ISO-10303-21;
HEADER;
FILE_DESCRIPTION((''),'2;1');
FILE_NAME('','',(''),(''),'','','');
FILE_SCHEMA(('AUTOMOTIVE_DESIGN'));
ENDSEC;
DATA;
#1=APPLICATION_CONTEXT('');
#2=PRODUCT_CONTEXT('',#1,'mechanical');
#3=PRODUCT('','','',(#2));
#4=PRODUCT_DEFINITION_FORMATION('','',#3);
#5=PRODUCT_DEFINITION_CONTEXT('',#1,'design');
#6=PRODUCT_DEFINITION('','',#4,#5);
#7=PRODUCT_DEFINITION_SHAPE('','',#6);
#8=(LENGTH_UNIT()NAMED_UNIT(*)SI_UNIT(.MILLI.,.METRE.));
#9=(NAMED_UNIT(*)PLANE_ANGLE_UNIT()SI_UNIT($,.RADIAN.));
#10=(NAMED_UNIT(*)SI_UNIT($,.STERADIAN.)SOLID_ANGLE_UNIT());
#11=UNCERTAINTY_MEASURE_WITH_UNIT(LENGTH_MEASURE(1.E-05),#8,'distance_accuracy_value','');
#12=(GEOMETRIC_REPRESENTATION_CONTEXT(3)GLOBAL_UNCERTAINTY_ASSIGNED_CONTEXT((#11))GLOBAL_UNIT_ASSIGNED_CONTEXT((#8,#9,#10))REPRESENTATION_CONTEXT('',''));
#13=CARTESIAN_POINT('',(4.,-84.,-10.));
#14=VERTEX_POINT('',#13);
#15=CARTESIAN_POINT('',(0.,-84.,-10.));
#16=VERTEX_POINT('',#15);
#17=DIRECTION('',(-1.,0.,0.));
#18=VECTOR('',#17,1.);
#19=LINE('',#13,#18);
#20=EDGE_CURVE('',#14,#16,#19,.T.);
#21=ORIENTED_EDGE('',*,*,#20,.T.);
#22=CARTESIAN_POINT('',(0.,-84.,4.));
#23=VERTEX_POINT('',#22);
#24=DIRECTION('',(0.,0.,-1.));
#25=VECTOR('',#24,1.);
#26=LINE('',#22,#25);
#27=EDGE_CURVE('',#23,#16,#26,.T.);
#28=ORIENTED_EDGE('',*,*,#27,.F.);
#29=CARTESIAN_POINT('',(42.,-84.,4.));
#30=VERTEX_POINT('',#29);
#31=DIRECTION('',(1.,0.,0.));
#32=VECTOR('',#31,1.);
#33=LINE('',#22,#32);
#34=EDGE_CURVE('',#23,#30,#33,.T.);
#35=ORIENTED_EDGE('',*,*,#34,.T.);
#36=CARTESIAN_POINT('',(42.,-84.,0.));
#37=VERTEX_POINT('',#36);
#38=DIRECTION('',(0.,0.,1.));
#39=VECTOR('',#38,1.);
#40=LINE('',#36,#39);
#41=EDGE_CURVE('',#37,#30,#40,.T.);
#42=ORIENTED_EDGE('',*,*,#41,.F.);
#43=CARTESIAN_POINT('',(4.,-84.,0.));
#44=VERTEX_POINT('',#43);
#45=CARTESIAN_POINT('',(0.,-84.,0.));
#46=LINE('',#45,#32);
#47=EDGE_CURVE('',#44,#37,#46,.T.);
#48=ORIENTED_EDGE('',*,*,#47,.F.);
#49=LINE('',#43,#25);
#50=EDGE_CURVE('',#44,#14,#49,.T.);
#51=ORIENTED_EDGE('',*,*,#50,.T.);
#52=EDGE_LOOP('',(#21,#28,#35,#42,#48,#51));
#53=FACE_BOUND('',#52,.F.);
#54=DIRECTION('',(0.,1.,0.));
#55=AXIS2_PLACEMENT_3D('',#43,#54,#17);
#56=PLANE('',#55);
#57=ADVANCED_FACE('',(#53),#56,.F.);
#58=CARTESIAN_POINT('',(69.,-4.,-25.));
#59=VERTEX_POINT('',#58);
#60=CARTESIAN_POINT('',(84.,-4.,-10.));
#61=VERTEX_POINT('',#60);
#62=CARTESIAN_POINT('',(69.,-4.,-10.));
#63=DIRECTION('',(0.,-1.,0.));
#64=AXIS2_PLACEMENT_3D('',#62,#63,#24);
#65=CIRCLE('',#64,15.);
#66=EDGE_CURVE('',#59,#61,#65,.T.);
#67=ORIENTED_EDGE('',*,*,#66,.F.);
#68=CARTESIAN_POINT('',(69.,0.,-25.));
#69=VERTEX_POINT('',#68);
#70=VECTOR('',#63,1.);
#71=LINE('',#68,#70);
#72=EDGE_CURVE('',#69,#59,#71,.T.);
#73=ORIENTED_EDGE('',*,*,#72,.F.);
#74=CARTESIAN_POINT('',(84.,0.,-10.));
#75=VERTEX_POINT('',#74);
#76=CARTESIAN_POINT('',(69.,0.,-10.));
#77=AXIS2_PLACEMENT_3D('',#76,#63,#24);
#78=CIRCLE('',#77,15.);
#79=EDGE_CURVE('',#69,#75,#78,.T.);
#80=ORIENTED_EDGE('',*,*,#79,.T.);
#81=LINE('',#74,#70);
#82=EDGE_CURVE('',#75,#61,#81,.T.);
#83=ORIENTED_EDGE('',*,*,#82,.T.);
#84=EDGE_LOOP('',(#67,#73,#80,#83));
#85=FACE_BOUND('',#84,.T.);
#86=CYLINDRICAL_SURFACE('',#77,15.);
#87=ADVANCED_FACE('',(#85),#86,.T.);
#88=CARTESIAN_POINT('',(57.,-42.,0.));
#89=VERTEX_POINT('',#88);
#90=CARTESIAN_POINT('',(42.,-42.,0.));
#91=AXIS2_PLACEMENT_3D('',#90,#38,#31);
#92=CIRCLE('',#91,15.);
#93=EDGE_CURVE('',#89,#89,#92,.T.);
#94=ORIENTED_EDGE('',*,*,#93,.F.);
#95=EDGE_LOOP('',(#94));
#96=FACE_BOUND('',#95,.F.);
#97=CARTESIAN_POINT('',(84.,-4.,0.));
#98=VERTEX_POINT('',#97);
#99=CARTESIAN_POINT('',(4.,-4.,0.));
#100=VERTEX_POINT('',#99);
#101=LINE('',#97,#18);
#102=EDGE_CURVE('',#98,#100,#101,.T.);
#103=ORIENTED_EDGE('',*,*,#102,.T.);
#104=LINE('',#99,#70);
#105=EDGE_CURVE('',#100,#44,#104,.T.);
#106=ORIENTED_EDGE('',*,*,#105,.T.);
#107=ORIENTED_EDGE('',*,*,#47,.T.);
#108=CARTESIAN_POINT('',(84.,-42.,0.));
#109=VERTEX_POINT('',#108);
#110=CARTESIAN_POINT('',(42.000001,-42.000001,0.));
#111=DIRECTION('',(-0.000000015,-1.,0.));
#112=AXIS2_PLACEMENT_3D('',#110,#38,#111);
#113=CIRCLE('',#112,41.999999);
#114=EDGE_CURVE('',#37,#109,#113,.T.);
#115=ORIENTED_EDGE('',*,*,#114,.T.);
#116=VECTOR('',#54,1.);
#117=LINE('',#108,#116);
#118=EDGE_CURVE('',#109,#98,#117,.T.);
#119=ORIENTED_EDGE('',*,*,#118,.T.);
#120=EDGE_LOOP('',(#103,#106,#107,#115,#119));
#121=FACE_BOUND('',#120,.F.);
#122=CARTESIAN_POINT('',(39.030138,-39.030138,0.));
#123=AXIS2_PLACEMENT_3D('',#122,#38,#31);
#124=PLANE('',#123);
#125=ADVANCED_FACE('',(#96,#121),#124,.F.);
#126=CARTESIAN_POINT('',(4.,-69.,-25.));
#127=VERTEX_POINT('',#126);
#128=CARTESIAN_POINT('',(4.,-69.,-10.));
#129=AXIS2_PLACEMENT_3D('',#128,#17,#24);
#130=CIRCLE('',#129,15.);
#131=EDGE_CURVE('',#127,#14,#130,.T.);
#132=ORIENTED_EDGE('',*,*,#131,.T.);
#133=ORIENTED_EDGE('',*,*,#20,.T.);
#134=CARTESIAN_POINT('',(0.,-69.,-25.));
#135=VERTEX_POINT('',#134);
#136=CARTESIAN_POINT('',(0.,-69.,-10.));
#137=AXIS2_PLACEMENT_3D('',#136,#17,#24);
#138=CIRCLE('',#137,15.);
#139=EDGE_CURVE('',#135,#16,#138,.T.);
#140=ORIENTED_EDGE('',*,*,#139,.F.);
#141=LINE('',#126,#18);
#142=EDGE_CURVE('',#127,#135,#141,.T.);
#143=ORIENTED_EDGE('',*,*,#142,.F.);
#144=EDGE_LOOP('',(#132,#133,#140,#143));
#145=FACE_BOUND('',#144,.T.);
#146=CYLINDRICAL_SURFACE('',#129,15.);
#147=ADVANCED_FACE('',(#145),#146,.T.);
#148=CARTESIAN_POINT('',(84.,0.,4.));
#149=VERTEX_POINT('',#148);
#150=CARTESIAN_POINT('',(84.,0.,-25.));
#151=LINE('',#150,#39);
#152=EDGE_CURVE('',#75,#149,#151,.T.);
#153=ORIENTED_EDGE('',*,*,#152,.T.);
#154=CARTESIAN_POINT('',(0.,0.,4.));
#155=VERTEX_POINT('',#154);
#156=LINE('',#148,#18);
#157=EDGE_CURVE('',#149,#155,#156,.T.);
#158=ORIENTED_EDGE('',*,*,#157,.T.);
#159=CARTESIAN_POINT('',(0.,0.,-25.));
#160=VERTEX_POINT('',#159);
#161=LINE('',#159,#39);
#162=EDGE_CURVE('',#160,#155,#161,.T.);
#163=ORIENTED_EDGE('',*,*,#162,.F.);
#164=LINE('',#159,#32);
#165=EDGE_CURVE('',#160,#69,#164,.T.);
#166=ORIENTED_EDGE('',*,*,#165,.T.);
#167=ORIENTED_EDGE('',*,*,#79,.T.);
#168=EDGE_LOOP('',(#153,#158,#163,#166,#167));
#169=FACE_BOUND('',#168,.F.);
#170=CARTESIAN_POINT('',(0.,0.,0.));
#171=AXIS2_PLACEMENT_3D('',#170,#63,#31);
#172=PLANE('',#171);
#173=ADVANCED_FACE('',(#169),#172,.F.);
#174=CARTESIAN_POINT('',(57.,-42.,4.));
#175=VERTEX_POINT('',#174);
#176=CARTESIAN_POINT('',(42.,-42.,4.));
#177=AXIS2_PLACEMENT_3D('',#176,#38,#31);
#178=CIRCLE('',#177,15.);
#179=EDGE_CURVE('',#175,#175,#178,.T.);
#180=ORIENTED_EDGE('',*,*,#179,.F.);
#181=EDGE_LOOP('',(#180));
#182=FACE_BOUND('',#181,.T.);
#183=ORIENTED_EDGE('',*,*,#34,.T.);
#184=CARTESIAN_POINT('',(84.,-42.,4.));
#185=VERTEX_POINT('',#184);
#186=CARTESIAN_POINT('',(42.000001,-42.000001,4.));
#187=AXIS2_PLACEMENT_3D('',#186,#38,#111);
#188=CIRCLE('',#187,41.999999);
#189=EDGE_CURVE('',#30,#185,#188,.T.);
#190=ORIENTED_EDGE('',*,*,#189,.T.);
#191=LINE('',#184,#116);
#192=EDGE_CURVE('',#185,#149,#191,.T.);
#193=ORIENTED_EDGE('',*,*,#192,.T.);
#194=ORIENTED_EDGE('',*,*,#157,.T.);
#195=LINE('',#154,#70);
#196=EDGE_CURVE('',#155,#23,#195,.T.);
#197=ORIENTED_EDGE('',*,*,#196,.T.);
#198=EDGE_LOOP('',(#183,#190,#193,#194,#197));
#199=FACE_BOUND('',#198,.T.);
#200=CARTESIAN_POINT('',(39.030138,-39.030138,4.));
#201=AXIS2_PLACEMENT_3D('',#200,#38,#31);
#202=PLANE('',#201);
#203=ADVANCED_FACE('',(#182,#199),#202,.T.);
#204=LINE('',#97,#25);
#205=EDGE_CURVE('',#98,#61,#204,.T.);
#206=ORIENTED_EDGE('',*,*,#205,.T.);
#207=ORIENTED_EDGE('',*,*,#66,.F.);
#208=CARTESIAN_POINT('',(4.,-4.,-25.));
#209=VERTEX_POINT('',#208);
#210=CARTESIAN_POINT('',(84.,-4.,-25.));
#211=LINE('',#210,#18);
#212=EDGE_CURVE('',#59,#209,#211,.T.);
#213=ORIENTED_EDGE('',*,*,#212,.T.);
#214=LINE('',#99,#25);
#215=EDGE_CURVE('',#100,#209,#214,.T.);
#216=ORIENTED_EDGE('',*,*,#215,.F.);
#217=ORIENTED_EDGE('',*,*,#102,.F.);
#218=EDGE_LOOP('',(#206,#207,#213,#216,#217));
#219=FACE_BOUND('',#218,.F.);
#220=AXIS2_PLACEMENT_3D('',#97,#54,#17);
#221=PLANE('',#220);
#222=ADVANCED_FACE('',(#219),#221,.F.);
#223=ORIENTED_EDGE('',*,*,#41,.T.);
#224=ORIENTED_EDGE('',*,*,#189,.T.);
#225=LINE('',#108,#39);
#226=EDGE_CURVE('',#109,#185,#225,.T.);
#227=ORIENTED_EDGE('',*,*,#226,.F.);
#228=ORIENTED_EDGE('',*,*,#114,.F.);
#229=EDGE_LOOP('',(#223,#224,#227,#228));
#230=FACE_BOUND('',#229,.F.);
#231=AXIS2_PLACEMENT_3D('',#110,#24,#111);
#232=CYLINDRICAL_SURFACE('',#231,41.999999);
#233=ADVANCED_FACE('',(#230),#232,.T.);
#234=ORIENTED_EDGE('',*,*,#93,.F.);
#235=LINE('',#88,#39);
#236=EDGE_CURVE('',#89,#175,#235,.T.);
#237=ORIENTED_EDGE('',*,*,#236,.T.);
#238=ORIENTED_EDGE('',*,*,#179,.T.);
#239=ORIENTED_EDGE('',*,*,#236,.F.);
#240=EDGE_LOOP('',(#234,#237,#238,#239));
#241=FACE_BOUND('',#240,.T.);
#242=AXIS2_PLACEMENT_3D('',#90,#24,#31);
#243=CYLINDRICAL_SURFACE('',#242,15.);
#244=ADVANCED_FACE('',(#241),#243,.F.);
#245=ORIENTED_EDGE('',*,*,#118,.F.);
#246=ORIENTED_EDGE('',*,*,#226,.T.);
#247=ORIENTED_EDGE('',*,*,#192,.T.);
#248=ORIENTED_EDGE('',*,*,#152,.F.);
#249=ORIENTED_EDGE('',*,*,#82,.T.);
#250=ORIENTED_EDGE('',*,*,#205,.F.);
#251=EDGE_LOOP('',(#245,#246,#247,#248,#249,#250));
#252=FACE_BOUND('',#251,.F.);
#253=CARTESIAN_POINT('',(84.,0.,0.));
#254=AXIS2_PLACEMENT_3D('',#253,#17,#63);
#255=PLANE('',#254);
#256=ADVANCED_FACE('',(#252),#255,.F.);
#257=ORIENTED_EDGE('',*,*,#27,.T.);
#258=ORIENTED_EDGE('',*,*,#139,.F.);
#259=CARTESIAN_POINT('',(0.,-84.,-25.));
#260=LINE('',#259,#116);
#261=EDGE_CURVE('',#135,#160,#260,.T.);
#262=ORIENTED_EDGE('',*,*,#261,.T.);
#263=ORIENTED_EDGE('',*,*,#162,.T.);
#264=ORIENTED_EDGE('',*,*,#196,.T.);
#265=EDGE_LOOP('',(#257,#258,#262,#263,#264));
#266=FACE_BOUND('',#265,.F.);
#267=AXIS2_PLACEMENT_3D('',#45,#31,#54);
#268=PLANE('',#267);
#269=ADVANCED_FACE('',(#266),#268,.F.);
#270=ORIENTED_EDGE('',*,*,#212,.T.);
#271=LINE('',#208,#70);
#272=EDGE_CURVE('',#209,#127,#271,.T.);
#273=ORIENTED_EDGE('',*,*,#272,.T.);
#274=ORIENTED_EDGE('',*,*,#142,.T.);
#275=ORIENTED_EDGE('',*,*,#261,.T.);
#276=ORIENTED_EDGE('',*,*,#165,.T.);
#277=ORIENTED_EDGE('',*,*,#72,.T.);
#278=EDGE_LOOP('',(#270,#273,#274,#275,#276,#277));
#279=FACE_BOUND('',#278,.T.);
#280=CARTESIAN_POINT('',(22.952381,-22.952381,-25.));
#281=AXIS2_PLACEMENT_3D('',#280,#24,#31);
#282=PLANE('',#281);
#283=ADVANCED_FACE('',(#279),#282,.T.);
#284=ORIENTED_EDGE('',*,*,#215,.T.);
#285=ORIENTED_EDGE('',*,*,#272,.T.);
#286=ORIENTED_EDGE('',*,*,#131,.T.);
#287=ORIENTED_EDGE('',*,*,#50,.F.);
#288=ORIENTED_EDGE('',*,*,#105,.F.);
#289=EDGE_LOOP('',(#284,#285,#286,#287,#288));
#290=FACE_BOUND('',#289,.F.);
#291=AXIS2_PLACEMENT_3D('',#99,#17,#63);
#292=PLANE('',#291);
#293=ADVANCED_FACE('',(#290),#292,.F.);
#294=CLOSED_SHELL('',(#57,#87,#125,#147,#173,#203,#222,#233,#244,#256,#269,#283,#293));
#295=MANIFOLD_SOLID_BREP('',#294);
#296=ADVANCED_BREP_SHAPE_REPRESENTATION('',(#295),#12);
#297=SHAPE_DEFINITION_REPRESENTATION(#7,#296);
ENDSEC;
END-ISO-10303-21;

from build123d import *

# Parameters (mm, degrees)
F0_R     = 15
F1_DEPTH = 4
F3_DEPTH = 25
F4_R     = 15


with BuildPart() as f1:
    # F0 (on Top) → F1 (new body)
    with BuildSketch(Plane.XY):
        with BuildLine():
            Line((84, 0), (0, 0))
            Line((0, 0), (0, -84))
            Line((0, -84), (42, -84))
            ThreePointArc((42, -84), (71.698485, -71.698485), (84, -42))
            Line((84, -42), (84, 0))
        make_face()
        with Locations((42, -42)):
            Circle(F0_R, mode=Mode.SUBTRACT)
    extrude(amount=F1_DEPTH)

    # F2 (on face) → F3 (join)
    with BuildSketch(Plane(origin=(0, 0, 0), x_dir=(1, 0, 0), z_dir=(0, 0, -1))):
        Polygon((84, 4), (4, 4), (4, 84), (0, 84), (0, 0), (84, 0), align=None)
    extrude(amount=F3_DEPTH)

    # F4
    f4_edges = [f1.edges().sort_by_distance(p)[0] for p in [
        (2, -84, -25),
        (84, -2, -25),
    ]]
    fillet(f4_edges, radius=F4_R)


solid = f1.part
